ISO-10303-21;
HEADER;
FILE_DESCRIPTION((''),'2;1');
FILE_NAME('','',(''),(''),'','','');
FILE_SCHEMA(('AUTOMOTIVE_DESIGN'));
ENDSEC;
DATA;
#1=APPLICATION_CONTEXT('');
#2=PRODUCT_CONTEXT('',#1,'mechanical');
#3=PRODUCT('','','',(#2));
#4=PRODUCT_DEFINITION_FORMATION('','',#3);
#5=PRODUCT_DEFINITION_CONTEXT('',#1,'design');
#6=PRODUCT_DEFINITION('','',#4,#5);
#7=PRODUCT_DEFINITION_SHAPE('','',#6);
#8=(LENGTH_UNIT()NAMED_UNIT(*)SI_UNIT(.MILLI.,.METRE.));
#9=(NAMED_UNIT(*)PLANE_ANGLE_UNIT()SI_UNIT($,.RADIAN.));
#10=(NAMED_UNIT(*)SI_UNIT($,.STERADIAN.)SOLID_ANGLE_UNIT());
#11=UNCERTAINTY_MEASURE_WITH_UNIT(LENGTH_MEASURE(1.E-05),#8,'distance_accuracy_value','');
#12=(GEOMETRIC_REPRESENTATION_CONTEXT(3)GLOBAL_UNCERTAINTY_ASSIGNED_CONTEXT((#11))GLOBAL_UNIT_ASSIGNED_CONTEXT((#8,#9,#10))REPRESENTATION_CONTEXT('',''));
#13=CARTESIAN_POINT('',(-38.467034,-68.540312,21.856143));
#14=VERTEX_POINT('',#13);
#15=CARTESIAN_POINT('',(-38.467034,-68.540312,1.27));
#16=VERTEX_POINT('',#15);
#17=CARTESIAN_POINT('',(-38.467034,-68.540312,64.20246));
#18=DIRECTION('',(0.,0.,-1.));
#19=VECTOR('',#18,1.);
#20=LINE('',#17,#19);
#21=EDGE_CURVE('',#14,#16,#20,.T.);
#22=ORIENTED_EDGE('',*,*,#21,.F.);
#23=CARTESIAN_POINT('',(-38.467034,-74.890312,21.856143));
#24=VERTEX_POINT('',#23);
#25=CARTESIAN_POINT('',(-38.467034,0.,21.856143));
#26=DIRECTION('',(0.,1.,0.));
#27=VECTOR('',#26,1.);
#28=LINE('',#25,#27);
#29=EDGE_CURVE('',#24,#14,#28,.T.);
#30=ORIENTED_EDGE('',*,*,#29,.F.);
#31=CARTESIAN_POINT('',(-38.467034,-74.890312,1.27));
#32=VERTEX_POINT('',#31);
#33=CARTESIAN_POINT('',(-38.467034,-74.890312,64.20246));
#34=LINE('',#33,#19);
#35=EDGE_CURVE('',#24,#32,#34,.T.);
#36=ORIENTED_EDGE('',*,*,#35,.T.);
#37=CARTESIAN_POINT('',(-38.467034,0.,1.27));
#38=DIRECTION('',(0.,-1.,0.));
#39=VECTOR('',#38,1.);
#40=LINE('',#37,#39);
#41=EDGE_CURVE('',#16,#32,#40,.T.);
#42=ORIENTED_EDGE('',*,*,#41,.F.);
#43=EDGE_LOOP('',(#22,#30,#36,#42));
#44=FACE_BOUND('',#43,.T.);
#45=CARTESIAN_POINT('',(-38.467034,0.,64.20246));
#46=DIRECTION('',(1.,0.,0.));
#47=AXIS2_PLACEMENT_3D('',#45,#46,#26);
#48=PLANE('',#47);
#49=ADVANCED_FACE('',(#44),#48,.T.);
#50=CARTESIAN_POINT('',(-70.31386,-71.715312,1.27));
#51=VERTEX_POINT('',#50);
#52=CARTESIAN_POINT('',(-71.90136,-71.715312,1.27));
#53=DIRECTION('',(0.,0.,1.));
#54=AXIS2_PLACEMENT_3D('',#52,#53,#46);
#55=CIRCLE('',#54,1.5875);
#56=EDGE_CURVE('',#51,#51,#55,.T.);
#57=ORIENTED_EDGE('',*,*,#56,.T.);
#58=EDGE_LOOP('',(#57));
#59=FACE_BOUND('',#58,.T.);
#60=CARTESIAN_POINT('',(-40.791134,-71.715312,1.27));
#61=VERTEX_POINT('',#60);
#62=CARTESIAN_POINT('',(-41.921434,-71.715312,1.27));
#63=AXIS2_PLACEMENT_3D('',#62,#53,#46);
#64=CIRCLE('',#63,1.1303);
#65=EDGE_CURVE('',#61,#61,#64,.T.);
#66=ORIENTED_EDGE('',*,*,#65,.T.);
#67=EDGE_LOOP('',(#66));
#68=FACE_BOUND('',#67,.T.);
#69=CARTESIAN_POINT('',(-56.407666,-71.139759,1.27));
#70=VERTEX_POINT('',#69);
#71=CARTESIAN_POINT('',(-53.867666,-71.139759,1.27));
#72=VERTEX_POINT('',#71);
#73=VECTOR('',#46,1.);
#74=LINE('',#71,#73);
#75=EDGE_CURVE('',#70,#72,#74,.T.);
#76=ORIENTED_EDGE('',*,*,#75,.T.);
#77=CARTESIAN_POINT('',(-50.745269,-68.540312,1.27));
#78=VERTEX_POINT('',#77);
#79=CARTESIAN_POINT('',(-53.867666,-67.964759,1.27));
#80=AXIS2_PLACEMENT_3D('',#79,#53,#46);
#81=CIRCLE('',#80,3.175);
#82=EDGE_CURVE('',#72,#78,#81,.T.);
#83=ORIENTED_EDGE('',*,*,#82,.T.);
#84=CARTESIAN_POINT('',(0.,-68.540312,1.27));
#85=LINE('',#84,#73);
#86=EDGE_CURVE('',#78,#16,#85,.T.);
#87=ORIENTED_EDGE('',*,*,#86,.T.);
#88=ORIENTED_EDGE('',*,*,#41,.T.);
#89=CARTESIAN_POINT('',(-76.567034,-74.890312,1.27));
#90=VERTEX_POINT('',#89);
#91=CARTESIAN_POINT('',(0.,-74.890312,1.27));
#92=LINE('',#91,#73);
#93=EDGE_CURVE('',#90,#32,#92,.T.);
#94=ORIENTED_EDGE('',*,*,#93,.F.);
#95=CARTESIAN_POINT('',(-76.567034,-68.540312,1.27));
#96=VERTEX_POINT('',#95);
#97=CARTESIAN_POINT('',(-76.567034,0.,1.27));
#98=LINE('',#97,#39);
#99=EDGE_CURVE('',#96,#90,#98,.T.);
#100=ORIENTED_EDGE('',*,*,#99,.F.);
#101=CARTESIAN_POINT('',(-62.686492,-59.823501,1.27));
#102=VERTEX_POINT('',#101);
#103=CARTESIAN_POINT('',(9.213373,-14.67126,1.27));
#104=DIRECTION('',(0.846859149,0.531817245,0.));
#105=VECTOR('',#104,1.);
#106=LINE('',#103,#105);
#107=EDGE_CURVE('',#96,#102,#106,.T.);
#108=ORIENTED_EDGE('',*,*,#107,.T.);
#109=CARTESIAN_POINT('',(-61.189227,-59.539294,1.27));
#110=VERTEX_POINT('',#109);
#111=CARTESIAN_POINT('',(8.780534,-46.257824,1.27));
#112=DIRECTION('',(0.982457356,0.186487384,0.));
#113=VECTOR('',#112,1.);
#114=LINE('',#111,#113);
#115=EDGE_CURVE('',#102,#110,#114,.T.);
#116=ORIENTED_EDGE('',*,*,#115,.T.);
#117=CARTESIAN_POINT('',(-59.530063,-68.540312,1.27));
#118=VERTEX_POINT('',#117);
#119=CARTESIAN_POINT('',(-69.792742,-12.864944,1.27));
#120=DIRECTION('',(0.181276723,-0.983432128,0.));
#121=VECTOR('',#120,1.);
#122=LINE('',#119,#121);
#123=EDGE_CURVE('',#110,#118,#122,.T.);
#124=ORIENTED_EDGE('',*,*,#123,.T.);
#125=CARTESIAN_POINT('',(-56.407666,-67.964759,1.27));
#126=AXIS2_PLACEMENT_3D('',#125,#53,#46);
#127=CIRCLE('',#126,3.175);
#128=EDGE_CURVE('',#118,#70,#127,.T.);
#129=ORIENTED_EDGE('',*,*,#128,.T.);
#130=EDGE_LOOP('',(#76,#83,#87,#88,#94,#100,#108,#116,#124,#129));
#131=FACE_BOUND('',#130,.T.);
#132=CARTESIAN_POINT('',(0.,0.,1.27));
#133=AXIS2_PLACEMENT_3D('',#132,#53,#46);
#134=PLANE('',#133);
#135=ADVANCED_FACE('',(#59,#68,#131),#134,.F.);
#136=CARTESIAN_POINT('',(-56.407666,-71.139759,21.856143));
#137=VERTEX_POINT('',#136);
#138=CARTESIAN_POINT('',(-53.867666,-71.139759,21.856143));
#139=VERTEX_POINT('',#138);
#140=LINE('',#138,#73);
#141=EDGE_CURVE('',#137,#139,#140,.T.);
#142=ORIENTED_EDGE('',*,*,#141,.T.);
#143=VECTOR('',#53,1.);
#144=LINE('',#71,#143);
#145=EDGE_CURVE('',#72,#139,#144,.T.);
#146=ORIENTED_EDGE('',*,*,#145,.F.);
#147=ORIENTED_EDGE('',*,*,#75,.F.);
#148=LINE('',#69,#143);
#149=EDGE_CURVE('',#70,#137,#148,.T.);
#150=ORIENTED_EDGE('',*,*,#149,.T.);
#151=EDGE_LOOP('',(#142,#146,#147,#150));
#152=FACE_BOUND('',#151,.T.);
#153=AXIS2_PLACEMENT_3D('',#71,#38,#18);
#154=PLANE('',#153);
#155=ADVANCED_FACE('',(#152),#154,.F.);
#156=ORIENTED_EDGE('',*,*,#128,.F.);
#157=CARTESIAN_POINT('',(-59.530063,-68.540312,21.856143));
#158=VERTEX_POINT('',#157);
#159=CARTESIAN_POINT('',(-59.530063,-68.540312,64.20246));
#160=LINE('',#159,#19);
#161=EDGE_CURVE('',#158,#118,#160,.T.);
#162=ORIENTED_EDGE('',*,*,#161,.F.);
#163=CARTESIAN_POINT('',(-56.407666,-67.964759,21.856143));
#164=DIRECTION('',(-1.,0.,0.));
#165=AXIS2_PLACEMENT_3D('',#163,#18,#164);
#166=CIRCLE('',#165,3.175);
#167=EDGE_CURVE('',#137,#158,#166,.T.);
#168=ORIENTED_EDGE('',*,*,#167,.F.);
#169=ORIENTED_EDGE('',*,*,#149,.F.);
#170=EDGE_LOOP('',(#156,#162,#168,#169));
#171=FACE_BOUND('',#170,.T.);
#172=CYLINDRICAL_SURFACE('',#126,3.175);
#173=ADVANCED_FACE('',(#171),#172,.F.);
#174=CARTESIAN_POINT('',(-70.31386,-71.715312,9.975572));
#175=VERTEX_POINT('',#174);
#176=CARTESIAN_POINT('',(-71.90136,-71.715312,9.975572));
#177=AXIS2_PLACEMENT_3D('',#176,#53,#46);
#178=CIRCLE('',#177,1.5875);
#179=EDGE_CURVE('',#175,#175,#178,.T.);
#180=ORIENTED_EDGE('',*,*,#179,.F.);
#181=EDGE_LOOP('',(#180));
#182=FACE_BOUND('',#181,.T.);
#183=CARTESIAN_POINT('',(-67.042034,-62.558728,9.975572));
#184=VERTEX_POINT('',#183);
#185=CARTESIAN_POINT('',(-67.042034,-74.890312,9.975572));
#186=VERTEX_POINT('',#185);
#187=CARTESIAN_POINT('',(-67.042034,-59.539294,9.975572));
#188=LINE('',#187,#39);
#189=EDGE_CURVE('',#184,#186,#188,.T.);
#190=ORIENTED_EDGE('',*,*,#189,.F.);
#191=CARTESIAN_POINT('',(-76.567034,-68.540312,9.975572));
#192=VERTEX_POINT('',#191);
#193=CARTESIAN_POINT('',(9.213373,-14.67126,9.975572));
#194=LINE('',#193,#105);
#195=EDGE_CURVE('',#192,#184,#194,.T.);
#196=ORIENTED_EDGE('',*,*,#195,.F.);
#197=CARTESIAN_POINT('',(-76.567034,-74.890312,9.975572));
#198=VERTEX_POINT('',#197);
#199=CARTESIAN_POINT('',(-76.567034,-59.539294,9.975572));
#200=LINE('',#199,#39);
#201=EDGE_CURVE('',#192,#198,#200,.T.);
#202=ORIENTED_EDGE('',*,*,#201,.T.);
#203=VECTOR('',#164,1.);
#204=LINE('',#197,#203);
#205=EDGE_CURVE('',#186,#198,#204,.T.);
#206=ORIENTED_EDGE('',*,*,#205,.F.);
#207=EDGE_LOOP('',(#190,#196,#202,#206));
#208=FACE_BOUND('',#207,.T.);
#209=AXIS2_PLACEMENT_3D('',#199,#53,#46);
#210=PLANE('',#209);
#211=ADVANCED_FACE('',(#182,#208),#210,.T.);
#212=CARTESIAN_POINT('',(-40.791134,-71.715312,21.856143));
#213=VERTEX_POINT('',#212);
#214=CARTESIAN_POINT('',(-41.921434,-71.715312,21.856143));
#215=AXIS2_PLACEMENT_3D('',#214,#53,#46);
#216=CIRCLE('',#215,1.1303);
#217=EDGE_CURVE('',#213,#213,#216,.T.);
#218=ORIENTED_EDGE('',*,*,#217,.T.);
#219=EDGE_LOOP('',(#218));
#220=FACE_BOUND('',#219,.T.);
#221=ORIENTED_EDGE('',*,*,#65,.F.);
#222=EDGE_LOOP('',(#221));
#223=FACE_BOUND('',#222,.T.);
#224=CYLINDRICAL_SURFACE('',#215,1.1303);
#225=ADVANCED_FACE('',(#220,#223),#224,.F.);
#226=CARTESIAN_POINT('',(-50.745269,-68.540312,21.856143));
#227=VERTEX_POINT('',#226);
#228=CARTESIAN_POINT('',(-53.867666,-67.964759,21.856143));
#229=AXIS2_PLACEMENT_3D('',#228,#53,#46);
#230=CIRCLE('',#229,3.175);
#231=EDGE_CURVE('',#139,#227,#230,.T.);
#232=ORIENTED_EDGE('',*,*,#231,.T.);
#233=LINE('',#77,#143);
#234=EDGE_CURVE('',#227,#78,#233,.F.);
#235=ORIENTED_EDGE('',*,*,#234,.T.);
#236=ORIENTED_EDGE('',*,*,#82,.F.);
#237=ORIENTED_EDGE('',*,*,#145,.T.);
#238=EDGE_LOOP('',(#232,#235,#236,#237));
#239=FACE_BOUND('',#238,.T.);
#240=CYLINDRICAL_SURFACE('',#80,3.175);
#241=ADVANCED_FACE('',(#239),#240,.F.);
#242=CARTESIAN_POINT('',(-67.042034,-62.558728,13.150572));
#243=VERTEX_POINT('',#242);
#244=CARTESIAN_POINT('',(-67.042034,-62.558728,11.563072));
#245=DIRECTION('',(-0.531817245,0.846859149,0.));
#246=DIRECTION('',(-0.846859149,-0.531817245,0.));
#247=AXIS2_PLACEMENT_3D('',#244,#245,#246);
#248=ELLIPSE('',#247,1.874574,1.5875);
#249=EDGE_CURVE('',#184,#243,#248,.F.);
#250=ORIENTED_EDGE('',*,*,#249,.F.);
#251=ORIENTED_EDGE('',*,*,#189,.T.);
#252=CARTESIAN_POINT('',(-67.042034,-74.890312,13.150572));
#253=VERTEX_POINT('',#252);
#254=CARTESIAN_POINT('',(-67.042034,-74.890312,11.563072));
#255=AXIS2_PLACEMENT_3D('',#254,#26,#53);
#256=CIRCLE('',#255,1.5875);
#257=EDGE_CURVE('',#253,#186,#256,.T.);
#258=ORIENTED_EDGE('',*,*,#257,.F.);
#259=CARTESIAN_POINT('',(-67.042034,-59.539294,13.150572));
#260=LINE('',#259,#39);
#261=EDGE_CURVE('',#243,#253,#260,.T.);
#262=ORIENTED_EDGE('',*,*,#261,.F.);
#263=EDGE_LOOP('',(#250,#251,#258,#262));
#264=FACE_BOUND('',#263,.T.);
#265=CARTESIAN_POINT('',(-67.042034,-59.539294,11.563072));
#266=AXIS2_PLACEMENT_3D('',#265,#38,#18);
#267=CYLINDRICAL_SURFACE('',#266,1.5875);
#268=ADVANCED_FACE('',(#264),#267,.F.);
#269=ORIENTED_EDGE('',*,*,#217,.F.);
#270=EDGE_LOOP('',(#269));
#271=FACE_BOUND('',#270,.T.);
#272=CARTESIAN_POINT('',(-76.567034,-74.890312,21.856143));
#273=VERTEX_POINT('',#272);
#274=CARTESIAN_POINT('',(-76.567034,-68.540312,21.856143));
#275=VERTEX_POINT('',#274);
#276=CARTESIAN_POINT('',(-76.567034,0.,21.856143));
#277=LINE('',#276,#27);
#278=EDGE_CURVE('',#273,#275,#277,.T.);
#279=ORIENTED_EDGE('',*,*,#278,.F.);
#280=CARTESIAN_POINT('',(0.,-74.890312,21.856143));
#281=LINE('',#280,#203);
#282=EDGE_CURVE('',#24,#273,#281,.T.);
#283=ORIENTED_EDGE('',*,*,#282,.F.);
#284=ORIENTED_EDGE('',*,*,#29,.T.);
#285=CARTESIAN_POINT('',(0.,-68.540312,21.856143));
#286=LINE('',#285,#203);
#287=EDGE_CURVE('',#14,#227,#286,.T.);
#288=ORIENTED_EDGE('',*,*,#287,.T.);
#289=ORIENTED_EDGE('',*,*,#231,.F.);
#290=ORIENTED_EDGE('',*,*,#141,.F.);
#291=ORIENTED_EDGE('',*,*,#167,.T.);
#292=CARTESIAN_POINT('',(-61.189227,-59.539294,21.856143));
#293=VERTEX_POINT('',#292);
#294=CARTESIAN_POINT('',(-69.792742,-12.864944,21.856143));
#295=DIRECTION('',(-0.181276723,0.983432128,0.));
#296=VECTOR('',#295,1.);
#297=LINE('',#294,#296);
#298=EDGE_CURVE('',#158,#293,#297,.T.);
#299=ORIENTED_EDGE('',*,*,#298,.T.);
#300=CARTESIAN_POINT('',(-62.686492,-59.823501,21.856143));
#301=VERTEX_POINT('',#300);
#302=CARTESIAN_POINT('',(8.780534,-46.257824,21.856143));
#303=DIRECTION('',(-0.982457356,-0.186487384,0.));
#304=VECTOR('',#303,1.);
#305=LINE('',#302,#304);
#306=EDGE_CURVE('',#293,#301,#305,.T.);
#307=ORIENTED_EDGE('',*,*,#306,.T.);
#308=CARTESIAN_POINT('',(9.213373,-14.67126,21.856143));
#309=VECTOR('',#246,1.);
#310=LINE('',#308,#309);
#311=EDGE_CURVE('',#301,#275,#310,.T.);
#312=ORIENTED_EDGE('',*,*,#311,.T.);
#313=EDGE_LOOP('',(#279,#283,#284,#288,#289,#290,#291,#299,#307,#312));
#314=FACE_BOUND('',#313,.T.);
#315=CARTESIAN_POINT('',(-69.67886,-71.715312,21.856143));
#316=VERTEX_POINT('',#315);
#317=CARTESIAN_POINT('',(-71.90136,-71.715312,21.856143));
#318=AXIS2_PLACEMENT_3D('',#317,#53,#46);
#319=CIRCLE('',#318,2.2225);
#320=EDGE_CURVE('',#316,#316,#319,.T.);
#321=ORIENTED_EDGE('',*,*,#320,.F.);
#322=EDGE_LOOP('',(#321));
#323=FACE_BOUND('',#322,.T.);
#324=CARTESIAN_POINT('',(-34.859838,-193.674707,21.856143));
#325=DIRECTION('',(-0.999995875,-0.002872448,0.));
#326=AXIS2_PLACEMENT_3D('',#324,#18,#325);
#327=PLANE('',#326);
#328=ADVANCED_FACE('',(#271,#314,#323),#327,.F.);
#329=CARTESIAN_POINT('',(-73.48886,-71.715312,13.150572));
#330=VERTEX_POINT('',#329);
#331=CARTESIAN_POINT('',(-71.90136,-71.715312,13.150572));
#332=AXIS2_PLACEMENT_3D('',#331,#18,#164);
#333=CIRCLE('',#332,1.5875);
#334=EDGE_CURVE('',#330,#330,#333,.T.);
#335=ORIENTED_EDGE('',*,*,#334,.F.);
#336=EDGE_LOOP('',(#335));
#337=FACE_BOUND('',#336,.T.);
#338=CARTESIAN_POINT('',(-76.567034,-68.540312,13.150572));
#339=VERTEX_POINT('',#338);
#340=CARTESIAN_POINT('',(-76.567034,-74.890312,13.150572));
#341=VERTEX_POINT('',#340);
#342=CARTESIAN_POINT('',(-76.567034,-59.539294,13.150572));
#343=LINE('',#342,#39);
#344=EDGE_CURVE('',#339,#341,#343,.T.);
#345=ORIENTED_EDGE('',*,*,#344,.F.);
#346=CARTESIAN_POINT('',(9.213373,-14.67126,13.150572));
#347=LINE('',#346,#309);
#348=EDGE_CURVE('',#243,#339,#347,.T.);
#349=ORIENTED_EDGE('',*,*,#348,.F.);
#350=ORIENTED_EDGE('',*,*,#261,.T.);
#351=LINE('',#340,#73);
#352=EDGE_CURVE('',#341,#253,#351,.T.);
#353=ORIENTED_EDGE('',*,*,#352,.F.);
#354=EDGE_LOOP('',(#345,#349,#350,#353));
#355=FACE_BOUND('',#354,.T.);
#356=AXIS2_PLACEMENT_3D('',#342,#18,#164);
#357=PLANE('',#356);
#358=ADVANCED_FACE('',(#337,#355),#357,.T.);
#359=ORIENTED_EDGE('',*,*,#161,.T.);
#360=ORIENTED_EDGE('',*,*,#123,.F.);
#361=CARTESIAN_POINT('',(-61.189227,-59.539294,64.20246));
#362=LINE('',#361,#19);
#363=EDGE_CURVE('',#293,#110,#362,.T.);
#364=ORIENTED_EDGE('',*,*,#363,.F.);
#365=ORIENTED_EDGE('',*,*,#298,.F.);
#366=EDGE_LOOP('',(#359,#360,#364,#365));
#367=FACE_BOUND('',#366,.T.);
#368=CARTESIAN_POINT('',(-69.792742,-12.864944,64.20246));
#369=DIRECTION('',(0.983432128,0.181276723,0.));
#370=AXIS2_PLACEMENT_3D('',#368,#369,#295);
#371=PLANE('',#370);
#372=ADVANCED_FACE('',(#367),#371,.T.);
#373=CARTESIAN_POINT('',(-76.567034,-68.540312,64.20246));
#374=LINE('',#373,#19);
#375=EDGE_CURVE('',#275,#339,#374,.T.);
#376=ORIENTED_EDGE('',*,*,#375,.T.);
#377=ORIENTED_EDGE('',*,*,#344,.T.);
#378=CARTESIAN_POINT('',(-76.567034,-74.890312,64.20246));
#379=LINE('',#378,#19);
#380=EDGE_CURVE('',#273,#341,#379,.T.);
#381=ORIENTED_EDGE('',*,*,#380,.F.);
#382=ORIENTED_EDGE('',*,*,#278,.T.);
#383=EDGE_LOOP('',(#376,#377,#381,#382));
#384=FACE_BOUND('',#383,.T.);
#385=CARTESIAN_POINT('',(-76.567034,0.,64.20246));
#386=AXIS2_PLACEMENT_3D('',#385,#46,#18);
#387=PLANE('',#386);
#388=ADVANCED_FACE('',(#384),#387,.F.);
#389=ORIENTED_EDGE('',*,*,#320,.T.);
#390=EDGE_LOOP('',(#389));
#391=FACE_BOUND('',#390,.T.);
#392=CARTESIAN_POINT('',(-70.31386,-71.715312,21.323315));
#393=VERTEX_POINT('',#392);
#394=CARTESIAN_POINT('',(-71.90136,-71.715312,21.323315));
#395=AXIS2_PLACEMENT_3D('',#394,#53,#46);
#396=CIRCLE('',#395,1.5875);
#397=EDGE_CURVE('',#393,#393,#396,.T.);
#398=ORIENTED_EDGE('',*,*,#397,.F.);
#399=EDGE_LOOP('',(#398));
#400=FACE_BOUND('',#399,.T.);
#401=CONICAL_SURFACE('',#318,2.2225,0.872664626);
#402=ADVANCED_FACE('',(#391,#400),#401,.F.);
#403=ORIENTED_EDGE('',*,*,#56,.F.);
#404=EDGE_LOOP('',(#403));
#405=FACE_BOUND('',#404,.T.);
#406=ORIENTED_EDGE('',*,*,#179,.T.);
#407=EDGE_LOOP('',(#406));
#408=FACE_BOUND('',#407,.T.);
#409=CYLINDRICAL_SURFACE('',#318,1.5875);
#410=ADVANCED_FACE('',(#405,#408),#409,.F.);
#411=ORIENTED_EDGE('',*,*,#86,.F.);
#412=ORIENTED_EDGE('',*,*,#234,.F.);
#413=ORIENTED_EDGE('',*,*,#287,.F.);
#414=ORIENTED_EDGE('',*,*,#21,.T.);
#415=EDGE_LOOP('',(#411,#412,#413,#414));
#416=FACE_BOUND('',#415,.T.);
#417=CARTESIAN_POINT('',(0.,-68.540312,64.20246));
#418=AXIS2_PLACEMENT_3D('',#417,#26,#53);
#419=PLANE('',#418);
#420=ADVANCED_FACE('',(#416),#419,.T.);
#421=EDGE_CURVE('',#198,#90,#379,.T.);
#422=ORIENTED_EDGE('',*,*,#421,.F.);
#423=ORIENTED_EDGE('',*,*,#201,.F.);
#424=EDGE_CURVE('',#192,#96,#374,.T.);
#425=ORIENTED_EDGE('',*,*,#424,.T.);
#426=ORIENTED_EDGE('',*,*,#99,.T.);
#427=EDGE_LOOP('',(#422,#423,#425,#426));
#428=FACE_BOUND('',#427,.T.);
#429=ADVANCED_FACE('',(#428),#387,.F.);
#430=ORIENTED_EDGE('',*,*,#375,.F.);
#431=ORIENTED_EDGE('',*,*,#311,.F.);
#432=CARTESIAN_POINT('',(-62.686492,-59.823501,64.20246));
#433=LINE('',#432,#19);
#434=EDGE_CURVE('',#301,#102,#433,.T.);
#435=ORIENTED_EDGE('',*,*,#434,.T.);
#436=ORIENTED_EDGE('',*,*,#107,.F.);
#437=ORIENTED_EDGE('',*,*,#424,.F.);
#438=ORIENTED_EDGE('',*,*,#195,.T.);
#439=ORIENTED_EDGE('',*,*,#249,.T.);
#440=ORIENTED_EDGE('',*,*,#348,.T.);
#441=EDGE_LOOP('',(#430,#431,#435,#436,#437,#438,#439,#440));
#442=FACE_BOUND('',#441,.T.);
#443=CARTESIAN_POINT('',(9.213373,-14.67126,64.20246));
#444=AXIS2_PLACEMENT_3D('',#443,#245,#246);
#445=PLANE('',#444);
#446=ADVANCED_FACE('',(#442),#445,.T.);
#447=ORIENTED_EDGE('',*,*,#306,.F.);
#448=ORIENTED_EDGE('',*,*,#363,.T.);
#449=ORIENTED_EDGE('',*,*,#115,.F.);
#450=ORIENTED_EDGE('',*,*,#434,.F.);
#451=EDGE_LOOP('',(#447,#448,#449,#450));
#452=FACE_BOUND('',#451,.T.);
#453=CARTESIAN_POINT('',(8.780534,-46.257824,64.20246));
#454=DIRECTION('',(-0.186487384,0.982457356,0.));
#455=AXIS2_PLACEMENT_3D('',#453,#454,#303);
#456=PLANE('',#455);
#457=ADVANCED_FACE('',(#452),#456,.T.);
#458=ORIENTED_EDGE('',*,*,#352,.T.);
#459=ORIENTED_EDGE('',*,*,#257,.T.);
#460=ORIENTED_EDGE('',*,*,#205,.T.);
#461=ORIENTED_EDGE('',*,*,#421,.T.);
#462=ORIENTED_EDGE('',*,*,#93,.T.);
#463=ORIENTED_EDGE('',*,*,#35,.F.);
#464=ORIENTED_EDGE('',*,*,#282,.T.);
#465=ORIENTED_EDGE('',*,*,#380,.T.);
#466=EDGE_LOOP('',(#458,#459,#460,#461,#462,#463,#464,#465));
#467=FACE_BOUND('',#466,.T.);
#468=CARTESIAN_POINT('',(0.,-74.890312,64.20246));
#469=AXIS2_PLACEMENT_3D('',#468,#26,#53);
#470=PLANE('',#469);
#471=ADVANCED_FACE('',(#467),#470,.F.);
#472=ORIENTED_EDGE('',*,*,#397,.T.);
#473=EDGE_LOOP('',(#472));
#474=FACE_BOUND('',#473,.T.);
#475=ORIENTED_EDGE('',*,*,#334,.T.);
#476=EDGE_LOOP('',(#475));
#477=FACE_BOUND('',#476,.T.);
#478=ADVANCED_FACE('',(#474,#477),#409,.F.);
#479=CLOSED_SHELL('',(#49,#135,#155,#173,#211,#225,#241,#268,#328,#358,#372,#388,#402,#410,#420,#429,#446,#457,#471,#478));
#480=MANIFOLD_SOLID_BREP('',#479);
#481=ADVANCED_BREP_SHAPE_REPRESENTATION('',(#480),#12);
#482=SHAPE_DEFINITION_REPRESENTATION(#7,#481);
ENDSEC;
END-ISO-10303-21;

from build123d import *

# Parameters (mm, degrees)
BOSS_EXTRUDE1_START                    = 1.27
SKETCH1_W                              = 38.1
SKETCH1_H                              = 6.35
BOSS_EXTRUDE1_DEPTH                    = 20.586143
CUT_EXTRUDE1_DEPTH                     = 16.351018574
F_1_8_0_125_DIAMETER_HOLE1_D           = 3.175
F_1_8_0_125_DIAMETER_HOLE1_CSINK_D     = 4.445
F_1_8_0_125_DIAMETER_HOLE1_CSINK_ANGLE = 100
F_4_40_TAPPED_HOLE1_D                  = 2.2606
CUT_EXTRUDE2_DEPTH                     = 21.586143296


with BuildPart() as part:
    # Sketch1 → Boss-Extrude1 (new body)
    with BuildSketch(Plane.XY.offset(BOSS_EXTRUDE1_START)):
        with Locations((-57.517034371, -71.715312393)):
            Rectangle(SKETCH1_W, SKETCH1_H)
        Polygon((-62.686491947, -59.823500591), (-76.567034371, -68.540312393), (-59.530062968, -68.540312393), (-61.189226937, -59.539293818), align=None)
        Polygon((-59.530062968, -68.540312393), (-76.567034371, -68.540312393), (-76.567034371, -74.890312393), (-38.467034371, -74.890312393), (-38.467034371, -68.540312393), align=None)
    extrude(amount=BOSS_EXTRUDE1_DEPTH)

    # Sketch2 → Cut-Extrude1 (cut, through all)
    with BuildSketch(Plane(origin=(26.553910442, -74.890312393, 0), x_dir=(1, 0, 0), z_dir=(0, 1, 0))):
        with BuildLine():
            Line((-103.120944813, -13.150571648), (-93.595944813, -13.150571648))
            ThreePointArc((-93.595944813, -13.150571648), (-92.008444813, -11.563071648), (-93.595944813, -9.975571648))
            Line((-93.595944813, -9.975571648), (-103.120944813, -9.975571648))
            ThreePointArc((-103.120944813, -9.975571648), (-104.708444813, -11.563071648), (-103.120944813, -13.150571648))
        make_face()
    extrude(amount=CUT_EXTRUDE1_DEPTH, mode=Mode.SUBTRACT)

    # 1/8 (0.125) Diameter Hole1 (through all)
    with Locations(Plane.XY.offset(21.856143296)):
        with Locations((-71.901359776, -71.715312393)):
            CounterSinkHole(F_1_8_0_125_DIAMETER_HOLE1_D / 2, F_1_8_0_125_DIAMETER_HOLE1_CSINK_D / 2, counter_sink_angle=F_1_8_0_125_DIAMETER_HOLE1_CSINK_ANGLE)

    # #4-40 Tapped Hole1 (through all)
    with Locations(Plane.XY.offset(21.856143296)):
        with Locations((-41.921434371, -71.715312393)):
            Hole(F_4_40_TAPPED_HOLE1_D / 2)

    # Sketch7 → Cut-Extrude2 (cut, through all)
    with BuildSketch(Plane.XY.offset(21.856143296)):
        with BuildLine():
            Line((-53.867665963, -71.139758797), (-56.407665963, -71.139758797))
            ThreePointArc((-56.407665963, -71.139758797), (-59.582665963, -67.964758797), (-56.407665963, -64.789758797))
            Line((-56.407665963, -64.789758797), (-53.867665963, -64.789758797))
            ThreePointArc((-53.867665963, -64.789758797), (-50.692665963, -67.964758797), (-53.867665963, -71.139758797))
        make_face()
    extrude(amount=-CUT_EXTRUDE2_DEPTH, mode=Mode.SUBTRACT)


solid = part.part
